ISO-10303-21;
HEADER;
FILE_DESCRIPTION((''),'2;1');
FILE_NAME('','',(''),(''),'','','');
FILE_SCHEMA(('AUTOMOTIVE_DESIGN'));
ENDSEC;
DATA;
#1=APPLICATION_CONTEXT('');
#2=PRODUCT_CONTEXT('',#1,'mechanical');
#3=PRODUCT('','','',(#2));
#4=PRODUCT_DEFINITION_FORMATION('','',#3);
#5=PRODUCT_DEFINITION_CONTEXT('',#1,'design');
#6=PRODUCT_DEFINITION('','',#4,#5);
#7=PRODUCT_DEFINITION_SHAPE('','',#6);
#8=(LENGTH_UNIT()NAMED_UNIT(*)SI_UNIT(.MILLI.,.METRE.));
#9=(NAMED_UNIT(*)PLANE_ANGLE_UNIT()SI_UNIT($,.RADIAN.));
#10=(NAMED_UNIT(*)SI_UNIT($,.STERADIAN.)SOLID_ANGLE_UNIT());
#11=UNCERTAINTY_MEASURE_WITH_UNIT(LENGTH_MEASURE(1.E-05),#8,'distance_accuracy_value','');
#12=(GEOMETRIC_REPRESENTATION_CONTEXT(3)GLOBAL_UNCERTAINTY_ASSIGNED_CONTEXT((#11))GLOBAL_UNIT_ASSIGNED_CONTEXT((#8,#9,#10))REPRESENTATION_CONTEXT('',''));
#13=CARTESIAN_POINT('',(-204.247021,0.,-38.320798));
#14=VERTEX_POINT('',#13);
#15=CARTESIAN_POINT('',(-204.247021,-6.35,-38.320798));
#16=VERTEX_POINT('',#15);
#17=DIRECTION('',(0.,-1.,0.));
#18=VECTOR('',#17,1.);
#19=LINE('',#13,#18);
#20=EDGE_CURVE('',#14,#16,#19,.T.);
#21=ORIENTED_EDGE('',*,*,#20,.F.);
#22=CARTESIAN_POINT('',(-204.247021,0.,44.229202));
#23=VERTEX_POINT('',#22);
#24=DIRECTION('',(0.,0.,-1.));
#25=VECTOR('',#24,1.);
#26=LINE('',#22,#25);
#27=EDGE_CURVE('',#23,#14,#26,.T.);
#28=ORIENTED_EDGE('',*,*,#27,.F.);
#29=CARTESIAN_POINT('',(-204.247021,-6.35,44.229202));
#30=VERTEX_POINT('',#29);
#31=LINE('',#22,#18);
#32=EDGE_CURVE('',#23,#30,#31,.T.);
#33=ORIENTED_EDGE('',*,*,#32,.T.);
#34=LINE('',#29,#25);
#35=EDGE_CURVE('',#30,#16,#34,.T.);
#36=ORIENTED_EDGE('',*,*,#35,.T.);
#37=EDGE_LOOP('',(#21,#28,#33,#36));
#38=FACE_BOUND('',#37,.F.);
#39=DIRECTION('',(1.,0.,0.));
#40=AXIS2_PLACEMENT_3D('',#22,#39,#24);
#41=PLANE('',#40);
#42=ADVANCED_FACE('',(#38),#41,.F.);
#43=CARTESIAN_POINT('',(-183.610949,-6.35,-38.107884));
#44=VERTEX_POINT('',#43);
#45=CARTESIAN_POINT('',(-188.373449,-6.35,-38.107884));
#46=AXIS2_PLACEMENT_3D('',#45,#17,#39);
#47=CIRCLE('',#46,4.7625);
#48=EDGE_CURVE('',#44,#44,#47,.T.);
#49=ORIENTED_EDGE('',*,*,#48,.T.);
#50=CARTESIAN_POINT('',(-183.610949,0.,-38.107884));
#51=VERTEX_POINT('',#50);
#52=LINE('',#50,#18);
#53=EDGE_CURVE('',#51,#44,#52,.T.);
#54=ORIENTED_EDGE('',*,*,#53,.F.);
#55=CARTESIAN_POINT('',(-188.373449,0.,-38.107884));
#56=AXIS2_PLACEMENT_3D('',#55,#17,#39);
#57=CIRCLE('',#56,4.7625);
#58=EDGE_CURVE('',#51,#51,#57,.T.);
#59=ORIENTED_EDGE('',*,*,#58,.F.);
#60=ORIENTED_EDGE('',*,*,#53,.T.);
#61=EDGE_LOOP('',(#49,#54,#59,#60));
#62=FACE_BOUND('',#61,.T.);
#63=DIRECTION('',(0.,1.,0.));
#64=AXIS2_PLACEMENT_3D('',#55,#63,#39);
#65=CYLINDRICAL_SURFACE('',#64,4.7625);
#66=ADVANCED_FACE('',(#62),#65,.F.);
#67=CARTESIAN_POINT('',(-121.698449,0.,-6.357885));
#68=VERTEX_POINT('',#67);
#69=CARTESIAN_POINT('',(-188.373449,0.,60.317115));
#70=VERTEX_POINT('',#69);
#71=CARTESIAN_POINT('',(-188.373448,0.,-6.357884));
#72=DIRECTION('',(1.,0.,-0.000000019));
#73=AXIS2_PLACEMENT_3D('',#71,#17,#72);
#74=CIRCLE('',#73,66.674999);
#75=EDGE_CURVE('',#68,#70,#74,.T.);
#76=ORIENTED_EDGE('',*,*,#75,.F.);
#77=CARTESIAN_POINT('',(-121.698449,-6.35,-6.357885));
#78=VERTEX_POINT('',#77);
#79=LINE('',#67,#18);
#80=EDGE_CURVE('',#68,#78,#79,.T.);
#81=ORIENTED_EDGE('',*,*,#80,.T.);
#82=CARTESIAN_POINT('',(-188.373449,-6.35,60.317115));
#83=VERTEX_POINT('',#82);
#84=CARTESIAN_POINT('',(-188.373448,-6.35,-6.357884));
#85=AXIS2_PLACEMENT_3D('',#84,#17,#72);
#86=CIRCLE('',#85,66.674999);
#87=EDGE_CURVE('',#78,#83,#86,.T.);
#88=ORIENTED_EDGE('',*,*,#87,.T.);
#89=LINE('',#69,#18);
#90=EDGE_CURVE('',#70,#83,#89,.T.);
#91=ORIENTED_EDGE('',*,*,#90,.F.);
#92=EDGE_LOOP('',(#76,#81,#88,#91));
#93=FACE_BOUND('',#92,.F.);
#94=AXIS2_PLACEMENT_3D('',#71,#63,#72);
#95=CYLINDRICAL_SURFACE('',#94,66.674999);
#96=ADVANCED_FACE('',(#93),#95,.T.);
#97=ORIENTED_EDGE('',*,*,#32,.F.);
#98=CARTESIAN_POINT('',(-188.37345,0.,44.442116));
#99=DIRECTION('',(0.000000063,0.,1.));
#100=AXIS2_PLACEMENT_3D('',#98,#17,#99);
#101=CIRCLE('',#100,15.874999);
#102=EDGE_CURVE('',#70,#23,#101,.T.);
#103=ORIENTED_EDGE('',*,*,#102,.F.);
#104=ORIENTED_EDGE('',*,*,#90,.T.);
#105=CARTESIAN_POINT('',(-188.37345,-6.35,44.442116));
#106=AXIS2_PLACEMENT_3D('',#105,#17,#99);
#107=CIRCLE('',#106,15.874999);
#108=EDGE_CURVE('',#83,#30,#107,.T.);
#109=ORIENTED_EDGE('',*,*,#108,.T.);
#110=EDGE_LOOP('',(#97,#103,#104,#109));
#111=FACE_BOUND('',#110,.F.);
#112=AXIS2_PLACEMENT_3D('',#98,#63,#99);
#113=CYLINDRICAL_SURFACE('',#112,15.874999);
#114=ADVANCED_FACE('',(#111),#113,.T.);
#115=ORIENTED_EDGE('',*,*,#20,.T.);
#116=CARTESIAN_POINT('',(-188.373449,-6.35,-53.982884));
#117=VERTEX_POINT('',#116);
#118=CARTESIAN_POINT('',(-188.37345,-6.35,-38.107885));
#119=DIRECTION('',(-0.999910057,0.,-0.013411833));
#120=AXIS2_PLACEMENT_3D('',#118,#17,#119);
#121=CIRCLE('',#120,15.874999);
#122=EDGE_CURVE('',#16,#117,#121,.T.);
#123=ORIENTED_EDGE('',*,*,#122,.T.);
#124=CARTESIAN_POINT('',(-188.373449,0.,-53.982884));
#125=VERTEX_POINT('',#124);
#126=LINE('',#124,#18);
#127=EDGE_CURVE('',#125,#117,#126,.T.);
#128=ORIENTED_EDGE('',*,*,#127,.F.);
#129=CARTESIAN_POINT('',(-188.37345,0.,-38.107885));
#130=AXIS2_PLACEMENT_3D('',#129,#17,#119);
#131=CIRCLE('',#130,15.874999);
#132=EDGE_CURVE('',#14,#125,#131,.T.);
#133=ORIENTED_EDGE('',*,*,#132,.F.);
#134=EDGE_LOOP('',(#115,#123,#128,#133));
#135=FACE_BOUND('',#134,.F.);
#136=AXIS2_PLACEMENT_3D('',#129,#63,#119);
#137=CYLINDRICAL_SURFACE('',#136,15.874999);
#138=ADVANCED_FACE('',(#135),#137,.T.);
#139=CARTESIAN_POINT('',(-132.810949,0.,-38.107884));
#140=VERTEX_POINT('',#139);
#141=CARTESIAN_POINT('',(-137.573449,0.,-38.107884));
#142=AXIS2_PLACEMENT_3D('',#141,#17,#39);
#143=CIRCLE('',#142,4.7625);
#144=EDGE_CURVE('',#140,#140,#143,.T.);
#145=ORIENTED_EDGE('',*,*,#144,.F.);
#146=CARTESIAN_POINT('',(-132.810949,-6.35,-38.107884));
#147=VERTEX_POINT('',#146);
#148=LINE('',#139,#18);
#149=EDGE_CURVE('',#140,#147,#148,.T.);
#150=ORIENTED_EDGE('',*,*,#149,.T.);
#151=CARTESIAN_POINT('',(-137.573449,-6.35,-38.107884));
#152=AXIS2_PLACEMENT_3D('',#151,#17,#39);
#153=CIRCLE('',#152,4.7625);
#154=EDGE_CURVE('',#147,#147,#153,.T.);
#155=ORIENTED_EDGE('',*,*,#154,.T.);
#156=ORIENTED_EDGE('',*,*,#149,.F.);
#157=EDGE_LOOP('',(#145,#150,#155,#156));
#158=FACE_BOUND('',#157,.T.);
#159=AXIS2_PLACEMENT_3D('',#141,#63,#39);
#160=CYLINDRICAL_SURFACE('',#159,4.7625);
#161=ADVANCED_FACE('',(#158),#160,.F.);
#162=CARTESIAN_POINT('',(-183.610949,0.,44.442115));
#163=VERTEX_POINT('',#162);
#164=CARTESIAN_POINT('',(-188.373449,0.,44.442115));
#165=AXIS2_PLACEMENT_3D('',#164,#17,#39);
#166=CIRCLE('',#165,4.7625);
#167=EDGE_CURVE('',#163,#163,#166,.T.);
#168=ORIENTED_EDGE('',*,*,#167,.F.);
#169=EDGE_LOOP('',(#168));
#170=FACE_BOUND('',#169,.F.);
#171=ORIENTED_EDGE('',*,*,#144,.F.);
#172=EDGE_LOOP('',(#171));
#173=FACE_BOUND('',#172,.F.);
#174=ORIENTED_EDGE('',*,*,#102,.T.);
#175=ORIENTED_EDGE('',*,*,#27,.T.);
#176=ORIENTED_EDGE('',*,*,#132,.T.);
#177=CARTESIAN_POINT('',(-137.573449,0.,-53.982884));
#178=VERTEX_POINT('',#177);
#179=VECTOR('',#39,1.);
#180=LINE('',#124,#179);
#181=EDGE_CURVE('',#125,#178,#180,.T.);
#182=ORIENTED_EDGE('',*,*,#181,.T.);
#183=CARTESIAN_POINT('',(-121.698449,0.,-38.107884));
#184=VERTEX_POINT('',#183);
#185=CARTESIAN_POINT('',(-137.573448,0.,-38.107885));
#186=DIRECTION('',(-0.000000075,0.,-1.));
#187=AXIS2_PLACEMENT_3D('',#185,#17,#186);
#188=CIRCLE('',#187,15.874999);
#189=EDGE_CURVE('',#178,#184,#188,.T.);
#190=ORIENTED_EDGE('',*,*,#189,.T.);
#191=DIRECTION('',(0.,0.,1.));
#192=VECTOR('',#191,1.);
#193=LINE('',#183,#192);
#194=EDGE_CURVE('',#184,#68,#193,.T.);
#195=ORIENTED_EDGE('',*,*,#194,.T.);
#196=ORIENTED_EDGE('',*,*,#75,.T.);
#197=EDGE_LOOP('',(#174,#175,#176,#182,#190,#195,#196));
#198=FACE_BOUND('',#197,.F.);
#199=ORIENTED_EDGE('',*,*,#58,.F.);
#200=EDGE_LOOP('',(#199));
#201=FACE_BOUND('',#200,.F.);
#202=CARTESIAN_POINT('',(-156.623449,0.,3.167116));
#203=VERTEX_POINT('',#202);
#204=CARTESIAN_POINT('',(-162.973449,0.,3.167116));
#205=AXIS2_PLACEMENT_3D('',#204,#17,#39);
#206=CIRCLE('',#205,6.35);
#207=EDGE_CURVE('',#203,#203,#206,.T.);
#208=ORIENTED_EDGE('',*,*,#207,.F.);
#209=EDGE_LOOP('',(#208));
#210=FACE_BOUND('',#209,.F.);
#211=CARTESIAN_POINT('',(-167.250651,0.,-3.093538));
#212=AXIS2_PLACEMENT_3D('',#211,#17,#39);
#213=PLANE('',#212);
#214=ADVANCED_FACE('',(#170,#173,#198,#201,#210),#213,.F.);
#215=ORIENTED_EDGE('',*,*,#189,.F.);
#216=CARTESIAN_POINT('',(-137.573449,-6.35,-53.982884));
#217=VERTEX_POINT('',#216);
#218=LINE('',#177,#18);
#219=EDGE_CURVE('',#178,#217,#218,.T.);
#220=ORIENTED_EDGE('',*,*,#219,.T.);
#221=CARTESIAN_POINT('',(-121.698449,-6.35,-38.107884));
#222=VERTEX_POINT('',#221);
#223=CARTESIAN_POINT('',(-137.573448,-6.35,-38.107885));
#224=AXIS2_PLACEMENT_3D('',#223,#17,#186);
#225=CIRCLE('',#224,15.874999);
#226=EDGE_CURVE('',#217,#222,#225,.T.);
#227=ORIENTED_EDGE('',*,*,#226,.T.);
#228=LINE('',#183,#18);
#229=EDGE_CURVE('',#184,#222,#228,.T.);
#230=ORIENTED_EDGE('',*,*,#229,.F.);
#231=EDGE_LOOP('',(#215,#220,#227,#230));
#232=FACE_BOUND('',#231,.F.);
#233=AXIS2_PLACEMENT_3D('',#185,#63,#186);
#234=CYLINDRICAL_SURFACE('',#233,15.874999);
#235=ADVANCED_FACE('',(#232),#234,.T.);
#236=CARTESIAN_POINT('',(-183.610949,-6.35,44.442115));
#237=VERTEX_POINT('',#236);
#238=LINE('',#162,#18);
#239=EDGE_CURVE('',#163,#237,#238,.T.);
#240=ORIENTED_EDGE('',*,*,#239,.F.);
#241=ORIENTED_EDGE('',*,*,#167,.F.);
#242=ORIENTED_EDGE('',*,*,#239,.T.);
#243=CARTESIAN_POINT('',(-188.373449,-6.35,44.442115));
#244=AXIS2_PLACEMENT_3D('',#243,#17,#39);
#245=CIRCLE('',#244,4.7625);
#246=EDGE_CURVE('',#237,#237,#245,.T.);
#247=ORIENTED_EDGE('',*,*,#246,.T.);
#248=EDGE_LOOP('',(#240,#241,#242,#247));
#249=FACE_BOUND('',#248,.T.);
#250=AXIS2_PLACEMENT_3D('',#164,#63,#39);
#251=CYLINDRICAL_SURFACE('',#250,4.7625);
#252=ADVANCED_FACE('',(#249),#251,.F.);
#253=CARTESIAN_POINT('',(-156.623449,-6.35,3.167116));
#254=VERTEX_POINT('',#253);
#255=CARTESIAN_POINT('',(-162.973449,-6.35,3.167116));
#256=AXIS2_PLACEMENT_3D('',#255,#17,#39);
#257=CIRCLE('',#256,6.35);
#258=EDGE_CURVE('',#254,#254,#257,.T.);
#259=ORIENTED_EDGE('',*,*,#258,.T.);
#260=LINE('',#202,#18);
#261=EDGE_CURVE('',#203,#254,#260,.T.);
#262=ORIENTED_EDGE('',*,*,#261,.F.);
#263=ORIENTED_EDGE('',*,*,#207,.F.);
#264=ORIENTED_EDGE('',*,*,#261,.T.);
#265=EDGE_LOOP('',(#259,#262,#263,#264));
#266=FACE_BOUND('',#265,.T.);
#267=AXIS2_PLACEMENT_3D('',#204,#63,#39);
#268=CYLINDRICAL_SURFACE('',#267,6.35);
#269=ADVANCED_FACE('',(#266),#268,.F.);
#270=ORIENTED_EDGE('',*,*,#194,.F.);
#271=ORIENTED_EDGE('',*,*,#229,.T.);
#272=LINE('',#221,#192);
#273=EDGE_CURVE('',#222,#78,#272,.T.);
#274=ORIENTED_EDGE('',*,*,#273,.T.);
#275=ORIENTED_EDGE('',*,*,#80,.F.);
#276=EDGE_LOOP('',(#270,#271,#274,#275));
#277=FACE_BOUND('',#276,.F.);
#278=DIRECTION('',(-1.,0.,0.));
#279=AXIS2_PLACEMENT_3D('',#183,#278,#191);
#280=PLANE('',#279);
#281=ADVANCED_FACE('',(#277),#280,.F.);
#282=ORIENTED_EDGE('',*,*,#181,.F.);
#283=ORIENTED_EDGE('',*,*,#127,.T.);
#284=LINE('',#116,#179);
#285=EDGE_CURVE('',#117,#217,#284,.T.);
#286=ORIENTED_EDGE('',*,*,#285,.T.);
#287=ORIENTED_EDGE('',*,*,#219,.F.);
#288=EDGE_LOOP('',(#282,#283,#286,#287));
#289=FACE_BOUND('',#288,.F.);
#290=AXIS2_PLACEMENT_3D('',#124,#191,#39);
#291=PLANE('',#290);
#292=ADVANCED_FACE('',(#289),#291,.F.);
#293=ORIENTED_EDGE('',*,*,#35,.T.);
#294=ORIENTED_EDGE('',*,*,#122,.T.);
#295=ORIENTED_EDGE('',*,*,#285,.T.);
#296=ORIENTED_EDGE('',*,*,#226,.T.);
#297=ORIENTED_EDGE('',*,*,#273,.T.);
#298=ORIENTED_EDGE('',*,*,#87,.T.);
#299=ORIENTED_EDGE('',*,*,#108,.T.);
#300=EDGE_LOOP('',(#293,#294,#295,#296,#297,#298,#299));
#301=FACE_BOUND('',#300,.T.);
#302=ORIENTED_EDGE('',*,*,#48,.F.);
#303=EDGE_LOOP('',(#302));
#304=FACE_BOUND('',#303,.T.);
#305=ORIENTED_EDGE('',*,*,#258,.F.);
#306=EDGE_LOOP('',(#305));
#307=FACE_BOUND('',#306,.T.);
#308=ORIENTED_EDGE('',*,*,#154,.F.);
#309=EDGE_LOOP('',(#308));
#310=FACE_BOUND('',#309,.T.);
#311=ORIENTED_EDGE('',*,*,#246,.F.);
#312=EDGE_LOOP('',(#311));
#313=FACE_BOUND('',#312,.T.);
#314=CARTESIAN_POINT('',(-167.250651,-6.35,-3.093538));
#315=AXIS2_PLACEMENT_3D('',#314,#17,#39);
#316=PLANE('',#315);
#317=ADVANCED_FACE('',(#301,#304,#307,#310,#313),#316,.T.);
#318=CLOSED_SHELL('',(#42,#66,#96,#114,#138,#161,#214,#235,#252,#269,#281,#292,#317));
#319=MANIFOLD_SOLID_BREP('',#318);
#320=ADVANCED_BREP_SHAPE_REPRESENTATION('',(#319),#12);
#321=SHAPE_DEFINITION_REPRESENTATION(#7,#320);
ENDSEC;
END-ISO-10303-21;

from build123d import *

# Parameters (mm, degrees)
F0_R     = 6.35
F0_R_2   = 4.7625
F1_DEPTH = 6.35


with BuildPart() as f1:
    # F0 (on Front) → F1 (new body)
    with BuildSketch(Plane.XZ):
        with BuildLine():
            ThreePointArc((-188.373449, 60.317115), (-177.148129, 55.667435), (-172.498449, 44.442115))
            ThreePointArc((-172.498449, 44.442115), (-188.26699, 28.567472), (-204.247021, 44.229202))
            Line((-204.247021, 44.229202), (-204.247021, -37.894971))
            ThreePointArc((-204.247021, -37.894971), (-188.26699, -22.233241), (-172.498449, -38.107884))
            ThreePointArc((-172.498449, -38.107884), (-177.148129, -49.333205), (-188.373449, -53.982884))
            Line((-188.373449, -53.982884), (-137.573449, -53.982884))
            ThreePointArc((-137.573449, -53.982884), (-148.798769, -26.882564), (-121.698449, -38.107884))
            Line((-121.698449, -38.107884), (-121.698449, -6.357885))
            ThreePointArc((-121.698449, -6.357885), (-141.227104, 40.78846), (-188.373449, 60.317115))
        make_face()
        with Locations((-162.973449, 3.167116)):
            Circle(F0_R, mode=Mode.SUBTRACT)
        with BuildLine():
            ThreePointArc((-172.498449, -38.107884), (-188.26699, -22.233241), (-204.247021, -37.894971))
            Line((-204.247021, -37.894971), (-204.247021, -38.320798))
            ThreePointArc((-204.247021, -38.320798), (-199.523239, -49.40823), (-188.373449, -53.982884))
            ThreePointArc((-188.373449, -53.982884), (-177.148129, -49.333205), (-172.498449, -38.107884))
        make_face()
        with Locations((-188.373449, -38.107884)):
            Circle(F0_R_2, mode=Mode.SUBTRACT)
        with BuildLine():
            ThreePointArc((-137.573449, -53.982884), (-126.348129, -49.333205), (-121.698449, -38.107884))
            ThreePointArc((-121.698449, -38.107884), (-148.798769, -26.882564), (-137.573449, -53.982884))
        make_face()
        with Locations((-137.573449, -38.107884)):
            Circle(F0_R_2, mode=Mode.SUBTRACT)
        with BuildLine():
            ThreePointArc((-204.247021, 44.229202), (-188.26699, 28.567472), (-172.498449, 44.442115))
            ThreePointArc((-172.498449, 44.442115), (-177.148129, 55.667435), (-188.373449, 60.317115))
            ThreePointArc((-188.373449, 60.317115), (-199.673795, 55.591905), (-204.247021, 44.229202))
        make_face()
        with Locations((-188.373449, 44.442115)):
            Circle(F0_R_2, mode=Mode.SUBTRACT)
    extrude(amount=F1_DEPTH)


solid = f1.part
